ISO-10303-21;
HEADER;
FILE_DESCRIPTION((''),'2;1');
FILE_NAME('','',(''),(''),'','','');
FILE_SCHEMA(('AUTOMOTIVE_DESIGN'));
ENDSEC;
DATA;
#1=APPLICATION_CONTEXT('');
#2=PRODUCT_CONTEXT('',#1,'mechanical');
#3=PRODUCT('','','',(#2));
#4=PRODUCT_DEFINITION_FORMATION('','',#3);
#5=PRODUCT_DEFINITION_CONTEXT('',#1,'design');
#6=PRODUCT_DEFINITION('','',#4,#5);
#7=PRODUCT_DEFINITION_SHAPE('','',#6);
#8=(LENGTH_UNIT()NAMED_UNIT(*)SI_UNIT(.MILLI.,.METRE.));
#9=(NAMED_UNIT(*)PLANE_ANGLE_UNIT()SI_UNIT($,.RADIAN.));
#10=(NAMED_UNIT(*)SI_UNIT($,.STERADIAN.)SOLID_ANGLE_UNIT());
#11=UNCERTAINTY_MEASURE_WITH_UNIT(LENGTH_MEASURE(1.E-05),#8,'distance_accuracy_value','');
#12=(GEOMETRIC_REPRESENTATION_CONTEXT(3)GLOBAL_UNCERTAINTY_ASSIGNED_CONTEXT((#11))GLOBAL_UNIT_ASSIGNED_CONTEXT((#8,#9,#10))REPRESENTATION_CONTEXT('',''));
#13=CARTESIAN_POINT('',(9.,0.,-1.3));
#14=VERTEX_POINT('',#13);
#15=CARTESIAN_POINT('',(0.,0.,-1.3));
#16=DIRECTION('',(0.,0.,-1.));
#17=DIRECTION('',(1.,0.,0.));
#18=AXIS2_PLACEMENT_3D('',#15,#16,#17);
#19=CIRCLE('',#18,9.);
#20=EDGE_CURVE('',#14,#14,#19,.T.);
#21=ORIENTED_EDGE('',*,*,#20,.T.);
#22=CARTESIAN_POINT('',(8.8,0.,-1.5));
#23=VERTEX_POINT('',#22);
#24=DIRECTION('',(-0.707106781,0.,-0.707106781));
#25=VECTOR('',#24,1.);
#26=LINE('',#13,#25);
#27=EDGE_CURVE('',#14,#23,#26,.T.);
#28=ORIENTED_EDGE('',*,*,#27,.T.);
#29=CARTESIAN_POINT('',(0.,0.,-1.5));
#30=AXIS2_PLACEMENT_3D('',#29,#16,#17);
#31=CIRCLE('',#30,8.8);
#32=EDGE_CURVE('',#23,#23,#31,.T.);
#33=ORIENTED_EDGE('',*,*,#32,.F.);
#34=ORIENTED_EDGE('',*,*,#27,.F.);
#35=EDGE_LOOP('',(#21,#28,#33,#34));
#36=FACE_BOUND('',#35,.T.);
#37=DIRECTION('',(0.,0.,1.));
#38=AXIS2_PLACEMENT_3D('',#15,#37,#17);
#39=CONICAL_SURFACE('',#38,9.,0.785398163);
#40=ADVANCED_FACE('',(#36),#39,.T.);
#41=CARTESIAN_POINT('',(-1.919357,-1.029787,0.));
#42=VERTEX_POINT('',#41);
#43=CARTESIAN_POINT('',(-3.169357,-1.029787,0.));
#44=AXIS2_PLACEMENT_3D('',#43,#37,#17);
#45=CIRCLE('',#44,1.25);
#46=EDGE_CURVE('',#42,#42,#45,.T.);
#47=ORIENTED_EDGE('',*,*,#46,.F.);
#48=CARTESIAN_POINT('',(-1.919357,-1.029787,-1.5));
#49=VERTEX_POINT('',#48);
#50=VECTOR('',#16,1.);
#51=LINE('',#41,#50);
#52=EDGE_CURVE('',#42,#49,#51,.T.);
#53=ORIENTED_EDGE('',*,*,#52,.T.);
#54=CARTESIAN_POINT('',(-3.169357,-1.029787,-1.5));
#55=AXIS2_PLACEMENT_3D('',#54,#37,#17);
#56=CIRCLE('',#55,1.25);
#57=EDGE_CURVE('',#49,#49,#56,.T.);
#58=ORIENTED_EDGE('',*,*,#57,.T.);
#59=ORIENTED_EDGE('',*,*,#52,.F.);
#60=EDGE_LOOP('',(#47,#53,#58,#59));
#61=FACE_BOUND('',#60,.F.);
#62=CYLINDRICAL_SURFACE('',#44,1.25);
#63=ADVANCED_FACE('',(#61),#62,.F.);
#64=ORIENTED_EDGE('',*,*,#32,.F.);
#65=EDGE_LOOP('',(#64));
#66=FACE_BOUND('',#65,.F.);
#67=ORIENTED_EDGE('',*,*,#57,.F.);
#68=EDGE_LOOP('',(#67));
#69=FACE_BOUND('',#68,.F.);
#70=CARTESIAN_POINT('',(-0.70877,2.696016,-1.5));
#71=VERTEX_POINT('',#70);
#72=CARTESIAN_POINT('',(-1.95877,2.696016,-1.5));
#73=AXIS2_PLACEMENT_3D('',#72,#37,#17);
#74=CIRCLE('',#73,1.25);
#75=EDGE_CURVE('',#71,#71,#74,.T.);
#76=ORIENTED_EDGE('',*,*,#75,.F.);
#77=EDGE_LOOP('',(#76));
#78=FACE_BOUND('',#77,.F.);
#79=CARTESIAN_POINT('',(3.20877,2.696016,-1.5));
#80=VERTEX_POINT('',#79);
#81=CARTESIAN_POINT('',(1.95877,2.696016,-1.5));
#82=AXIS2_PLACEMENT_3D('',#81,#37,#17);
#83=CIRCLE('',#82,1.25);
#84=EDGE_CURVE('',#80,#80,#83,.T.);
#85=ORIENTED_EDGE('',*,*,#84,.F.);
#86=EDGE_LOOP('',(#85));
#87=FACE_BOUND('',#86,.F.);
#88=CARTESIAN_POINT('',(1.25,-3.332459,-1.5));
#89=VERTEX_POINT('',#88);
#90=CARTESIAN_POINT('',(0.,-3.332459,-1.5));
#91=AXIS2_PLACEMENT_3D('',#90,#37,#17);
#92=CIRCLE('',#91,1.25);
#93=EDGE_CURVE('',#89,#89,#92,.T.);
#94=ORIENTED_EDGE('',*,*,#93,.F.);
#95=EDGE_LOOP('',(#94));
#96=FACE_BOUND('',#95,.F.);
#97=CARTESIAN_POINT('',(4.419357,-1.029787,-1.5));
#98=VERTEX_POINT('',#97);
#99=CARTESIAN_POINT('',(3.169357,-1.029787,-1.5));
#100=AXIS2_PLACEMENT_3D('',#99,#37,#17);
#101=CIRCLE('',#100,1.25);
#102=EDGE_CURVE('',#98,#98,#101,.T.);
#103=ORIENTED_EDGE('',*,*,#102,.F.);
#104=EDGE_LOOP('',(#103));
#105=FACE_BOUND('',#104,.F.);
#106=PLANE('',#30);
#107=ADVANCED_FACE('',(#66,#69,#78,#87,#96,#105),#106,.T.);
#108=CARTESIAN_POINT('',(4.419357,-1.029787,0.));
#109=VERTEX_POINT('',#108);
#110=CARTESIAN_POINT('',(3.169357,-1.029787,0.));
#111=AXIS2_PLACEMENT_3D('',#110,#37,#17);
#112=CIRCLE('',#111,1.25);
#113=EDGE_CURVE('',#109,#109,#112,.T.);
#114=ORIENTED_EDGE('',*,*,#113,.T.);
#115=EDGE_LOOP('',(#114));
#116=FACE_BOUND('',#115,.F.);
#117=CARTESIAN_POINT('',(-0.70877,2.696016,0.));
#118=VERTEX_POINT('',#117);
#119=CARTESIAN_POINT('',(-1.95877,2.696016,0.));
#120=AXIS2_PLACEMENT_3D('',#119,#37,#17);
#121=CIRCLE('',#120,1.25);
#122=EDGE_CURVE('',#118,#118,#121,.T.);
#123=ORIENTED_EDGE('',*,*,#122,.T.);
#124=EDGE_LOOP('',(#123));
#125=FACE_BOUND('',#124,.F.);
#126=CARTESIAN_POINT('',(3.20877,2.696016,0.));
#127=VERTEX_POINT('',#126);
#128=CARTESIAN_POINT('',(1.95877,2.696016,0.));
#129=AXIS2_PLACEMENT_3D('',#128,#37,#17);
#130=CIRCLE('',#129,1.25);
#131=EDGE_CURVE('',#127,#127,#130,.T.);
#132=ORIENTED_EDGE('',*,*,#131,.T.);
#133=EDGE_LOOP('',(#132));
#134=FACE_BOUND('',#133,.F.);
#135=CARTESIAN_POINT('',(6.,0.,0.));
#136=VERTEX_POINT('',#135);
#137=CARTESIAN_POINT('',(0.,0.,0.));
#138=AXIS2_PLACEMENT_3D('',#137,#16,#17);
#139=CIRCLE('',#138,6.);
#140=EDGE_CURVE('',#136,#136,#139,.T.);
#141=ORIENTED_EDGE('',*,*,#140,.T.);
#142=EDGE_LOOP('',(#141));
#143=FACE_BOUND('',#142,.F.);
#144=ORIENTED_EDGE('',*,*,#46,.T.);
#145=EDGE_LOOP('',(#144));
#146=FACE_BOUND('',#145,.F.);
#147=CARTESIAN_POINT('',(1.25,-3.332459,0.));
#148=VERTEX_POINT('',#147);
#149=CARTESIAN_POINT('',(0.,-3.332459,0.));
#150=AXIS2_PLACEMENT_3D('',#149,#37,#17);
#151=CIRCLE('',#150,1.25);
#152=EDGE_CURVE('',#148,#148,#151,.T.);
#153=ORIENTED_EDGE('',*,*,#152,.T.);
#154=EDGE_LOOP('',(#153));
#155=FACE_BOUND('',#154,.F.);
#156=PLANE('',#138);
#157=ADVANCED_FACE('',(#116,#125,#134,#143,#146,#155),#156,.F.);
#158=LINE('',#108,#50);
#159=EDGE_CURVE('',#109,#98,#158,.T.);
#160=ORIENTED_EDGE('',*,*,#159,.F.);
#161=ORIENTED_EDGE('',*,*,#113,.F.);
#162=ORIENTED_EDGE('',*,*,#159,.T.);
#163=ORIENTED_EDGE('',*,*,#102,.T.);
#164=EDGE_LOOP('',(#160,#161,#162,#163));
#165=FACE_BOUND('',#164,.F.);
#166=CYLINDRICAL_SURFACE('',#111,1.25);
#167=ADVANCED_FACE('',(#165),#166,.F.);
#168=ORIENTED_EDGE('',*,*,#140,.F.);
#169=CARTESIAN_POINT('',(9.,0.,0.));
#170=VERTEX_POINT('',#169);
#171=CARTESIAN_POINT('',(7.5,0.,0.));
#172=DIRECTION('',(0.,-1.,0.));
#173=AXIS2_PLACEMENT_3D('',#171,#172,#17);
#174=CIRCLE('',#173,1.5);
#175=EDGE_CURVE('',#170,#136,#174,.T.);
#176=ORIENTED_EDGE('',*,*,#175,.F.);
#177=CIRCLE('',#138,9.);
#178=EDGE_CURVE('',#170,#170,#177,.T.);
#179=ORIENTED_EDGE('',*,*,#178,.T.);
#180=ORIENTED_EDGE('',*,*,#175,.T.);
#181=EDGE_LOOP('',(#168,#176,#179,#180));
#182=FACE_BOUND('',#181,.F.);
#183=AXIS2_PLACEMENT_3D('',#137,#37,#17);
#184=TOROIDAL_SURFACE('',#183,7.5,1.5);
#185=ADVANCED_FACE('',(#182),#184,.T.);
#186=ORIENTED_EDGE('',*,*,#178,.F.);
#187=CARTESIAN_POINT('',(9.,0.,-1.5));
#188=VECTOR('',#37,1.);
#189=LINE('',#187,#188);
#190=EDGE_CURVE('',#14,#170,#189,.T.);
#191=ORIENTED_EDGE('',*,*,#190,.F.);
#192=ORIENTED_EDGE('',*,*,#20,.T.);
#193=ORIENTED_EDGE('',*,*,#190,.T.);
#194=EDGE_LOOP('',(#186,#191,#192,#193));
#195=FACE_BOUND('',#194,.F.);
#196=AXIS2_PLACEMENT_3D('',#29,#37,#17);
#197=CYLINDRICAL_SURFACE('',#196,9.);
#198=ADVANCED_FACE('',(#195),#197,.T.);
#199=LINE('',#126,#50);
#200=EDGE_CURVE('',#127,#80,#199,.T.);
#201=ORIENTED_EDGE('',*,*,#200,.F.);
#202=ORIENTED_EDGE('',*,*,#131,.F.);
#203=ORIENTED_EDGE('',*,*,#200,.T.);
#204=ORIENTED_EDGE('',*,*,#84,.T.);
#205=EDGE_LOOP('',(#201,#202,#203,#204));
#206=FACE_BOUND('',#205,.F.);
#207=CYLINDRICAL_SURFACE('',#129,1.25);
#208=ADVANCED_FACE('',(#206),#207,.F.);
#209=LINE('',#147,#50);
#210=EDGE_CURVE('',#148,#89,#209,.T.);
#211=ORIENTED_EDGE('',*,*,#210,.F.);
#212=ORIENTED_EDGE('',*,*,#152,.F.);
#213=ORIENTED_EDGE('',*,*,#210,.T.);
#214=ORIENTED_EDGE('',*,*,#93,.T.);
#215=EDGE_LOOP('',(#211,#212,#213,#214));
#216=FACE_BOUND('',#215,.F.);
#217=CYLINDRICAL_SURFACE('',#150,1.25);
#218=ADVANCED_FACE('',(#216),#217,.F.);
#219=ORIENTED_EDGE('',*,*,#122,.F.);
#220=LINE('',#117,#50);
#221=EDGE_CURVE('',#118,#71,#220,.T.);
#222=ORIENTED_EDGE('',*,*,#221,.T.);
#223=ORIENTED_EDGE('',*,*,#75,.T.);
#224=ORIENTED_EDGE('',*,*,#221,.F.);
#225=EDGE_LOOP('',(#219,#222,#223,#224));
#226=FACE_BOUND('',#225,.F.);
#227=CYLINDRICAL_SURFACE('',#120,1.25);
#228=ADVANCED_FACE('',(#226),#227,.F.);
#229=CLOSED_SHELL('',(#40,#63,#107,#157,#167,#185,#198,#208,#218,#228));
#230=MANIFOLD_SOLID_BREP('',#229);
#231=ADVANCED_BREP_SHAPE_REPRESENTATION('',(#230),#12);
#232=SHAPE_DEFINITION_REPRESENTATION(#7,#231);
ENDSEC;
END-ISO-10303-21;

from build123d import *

# Parameters (mm, degrees)
F2_SIZE  = 0.2
F3_R     = 1.25
F4_DEPTH = 1.501


with BuildPart() as f1:
    # F0 (on Front) → F1 (revolve)
    with BuildSketch(Plane.XZ):
        with BuildLine():
            Line((7.5, -1.5), (9, -1.5))
            Line((9, -1.5), (9, 0))
            ThreePointArc((9, 0), (8.56066, -1.06066), (7.5, -1.5))
        make_face()
        with BuildLine():
            Line((0, -1.5), (7.5, -1.5))
            ThreePointArc((7.5, -1.5), (6.43934, -1.06066), (6, 0))
            Line((6, 0), (0, 0))
            Line((0, 0), (0, -1.5))
        make_face()
        with BuildLine():
            ThreePointArc((6, 0), (6.43934, -1.06066), (7.5, -1.5))
            ThreePointArc((7.5, -1.5), (8.56066, -1.06066), (9, 0))
            ThreePointArc((9, 0), (7.5, 1.5), (6, 0))
        make_face()
    revolve(axis=Axis((0, 0, 0), (0, 0, -1)))

    # F2
    f2_edges = [f1.edges().sort_by_distance(p)[0] for p in [
        (-9, 0, -1.5),
    ]]
    chamfer(f2_edges, length=F2_SIZE)

    # F3 (on face) → F4 (cut, through all)
    with BuildSketch(Plane.XY):
        with Locations((-1.95877, 2.696016)):
            Circle(F3_R)
        with Locations((1.95877, 2.696016)):
            Circle(F3_R)
        with Locations((3.169357, -1.029787)):
            Circle(F3_R)
        with Locations((0, -3.332459)):
            Circle(F3_R)
        with Locations((-3.169357, -1.029787)):
            Circle(F3_R)
    extrude(amount=-F4_DEPTH, mode=Mode.SUBTRACT)


solid = f1.part
